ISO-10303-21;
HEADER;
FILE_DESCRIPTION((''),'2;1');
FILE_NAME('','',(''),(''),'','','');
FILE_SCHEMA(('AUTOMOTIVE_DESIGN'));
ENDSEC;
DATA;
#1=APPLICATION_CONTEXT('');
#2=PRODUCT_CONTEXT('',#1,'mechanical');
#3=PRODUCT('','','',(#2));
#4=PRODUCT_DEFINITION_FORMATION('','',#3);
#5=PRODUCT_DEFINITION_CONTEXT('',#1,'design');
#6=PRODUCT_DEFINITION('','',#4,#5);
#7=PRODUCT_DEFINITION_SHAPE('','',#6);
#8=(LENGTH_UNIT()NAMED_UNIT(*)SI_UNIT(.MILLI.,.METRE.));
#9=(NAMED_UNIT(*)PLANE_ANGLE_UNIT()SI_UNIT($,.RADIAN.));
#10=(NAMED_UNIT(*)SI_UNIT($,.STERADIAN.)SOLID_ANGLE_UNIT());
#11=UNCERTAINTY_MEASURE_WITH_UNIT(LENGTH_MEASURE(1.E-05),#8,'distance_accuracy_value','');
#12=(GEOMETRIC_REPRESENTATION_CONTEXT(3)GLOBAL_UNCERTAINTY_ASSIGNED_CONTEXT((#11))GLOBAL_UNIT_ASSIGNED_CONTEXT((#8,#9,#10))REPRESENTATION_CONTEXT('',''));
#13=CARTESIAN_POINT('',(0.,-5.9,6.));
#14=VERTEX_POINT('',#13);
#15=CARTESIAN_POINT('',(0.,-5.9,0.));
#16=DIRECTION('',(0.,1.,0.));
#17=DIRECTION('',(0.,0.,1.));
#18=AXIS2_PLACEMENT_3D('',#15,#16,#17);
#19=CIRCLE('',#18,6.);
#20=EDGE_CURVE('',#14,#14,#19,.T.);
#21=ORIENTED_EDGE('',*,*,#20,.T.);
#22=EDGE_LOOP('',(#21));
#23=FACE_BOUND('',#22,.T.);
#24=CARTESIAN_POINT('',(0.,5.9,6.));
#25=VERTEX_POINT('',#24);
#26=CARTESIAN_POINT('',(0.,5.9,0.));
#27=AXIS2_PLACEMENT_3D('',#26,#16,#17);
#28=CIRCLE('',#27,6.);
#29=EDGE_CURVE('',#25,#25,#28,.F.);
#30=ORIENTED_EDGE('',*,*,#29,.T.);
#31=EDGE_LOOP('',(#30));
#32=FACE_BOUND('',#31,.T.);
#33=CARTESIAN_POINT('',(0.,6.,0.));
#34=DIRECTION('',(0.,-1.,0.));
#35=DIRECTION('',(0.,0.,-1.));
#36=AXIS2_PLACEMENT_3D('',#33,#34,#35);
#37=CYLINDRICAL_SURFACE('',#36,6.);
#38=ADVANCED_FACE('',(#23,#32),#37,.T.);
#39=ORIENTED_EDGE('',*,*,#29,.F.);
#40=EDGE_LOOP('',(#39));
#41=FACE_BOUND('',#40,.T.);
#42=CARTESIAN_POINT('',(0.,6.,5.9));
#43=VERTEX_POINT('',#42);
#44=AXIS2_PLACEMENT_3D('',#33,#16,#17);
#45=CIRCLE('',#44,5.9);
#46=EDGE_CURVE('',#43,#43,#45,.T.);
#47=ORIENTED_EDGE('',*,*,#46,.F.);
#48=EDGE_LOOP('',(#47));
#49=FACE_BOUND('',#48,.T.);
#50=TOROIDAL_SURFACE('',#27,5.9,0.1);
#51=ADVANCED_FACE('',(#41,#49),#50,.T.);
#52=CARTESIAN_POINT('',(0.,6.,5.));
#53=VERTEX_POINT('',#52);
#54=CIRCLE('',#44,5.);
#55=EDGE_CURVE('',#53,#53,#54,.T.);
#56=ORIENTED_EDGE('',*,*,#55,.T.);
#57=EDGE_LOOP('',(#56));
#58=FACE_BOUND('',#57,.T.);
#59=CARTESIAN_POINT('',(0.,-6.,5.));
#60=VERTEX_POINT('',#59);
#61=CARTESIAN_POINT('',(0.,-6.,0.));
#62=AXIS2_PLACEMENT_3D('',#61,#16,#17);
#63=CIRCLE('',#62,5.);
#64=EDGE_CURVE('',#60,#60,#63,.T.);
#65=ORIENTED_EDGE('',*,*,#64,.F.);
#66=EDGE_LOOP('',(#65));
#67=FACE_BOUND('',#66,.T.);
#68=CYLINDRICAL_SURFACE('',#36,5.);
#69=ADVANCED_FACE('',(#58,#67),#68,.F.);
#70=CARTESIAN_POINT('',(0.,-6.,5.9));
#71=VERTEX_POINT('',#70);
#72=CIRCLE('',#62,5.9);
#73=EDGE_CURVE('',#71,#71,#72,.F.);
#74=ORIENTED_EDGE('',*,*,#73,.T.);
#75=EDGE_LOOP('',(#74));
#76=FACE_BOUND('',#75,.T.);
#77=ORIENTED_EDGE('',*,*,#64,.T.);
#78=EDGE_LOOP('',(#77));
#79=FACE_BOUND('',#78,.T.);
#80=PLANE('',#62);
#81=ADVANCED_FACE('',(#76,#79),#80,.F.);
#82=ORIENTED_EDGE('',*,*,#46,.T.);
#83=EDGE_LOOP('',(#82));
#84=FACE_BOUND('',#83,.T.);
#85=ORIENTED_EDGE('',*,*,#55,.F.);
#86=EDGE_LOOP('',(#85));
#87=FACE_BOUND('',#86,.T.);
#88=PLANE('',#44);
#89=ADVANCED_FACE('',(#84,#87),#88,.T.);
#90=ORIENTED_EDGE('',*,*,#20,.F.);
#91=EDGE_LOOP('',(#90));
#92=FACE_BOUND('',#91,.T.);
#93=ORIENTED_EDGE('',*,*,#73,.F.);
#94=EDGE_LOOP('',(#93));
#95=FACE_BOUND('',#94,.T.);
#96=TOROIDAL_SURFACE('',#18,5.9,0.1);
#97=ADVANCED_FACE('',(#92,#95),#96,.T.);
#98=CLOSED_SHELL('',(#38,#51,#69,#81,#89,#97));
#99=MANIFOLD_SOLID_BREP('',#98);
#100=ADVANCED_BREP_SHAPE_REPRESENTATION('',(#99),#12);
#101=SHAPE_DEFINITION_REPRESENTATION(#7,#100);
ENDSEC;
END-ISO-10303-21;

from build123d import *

# Parameters (mm, degrees)
SKIZZE1_R                       = 6
SKIZZE1_R_2                     = 5
AUFSATZ_LINEAR_AUSTRAGEN1_DEPTH = 6
VERRUNDUNG1_R                   = 0.1


with BuildPart() as part:
    # Skizze1 → Aufsatz-Linear austragen1 (new, symmetric)
    with BuildSketch(Plane(origin=(0, 0, 0), x_dir=(1, 0, 0), z_dir=(0, 1, 0))):
        with Locations(Location((0, 0, 0), (0, 0, 270))):
            Circle(SKIZZE1_R)
        with Locations(Location((0, 0, 0), (0, 0, 270))):
            Circle(SKIZZE1_R_2, mode=Mode.SUBTRACT)
    extrude(amount=AUFSATZ_LINEAR_AUSTRAGEN1_DEPTH, both=True)

    # Verrundung1
    verrundung1_edges = [part.edges().sort_by_distance(p)[0] for p in [
        (0, -6, -6),
        (0, 6, -6),
    ]]
    fillet(verrundung1_edges, radius=VERRUNDUNG1_R)


solid = part.part
